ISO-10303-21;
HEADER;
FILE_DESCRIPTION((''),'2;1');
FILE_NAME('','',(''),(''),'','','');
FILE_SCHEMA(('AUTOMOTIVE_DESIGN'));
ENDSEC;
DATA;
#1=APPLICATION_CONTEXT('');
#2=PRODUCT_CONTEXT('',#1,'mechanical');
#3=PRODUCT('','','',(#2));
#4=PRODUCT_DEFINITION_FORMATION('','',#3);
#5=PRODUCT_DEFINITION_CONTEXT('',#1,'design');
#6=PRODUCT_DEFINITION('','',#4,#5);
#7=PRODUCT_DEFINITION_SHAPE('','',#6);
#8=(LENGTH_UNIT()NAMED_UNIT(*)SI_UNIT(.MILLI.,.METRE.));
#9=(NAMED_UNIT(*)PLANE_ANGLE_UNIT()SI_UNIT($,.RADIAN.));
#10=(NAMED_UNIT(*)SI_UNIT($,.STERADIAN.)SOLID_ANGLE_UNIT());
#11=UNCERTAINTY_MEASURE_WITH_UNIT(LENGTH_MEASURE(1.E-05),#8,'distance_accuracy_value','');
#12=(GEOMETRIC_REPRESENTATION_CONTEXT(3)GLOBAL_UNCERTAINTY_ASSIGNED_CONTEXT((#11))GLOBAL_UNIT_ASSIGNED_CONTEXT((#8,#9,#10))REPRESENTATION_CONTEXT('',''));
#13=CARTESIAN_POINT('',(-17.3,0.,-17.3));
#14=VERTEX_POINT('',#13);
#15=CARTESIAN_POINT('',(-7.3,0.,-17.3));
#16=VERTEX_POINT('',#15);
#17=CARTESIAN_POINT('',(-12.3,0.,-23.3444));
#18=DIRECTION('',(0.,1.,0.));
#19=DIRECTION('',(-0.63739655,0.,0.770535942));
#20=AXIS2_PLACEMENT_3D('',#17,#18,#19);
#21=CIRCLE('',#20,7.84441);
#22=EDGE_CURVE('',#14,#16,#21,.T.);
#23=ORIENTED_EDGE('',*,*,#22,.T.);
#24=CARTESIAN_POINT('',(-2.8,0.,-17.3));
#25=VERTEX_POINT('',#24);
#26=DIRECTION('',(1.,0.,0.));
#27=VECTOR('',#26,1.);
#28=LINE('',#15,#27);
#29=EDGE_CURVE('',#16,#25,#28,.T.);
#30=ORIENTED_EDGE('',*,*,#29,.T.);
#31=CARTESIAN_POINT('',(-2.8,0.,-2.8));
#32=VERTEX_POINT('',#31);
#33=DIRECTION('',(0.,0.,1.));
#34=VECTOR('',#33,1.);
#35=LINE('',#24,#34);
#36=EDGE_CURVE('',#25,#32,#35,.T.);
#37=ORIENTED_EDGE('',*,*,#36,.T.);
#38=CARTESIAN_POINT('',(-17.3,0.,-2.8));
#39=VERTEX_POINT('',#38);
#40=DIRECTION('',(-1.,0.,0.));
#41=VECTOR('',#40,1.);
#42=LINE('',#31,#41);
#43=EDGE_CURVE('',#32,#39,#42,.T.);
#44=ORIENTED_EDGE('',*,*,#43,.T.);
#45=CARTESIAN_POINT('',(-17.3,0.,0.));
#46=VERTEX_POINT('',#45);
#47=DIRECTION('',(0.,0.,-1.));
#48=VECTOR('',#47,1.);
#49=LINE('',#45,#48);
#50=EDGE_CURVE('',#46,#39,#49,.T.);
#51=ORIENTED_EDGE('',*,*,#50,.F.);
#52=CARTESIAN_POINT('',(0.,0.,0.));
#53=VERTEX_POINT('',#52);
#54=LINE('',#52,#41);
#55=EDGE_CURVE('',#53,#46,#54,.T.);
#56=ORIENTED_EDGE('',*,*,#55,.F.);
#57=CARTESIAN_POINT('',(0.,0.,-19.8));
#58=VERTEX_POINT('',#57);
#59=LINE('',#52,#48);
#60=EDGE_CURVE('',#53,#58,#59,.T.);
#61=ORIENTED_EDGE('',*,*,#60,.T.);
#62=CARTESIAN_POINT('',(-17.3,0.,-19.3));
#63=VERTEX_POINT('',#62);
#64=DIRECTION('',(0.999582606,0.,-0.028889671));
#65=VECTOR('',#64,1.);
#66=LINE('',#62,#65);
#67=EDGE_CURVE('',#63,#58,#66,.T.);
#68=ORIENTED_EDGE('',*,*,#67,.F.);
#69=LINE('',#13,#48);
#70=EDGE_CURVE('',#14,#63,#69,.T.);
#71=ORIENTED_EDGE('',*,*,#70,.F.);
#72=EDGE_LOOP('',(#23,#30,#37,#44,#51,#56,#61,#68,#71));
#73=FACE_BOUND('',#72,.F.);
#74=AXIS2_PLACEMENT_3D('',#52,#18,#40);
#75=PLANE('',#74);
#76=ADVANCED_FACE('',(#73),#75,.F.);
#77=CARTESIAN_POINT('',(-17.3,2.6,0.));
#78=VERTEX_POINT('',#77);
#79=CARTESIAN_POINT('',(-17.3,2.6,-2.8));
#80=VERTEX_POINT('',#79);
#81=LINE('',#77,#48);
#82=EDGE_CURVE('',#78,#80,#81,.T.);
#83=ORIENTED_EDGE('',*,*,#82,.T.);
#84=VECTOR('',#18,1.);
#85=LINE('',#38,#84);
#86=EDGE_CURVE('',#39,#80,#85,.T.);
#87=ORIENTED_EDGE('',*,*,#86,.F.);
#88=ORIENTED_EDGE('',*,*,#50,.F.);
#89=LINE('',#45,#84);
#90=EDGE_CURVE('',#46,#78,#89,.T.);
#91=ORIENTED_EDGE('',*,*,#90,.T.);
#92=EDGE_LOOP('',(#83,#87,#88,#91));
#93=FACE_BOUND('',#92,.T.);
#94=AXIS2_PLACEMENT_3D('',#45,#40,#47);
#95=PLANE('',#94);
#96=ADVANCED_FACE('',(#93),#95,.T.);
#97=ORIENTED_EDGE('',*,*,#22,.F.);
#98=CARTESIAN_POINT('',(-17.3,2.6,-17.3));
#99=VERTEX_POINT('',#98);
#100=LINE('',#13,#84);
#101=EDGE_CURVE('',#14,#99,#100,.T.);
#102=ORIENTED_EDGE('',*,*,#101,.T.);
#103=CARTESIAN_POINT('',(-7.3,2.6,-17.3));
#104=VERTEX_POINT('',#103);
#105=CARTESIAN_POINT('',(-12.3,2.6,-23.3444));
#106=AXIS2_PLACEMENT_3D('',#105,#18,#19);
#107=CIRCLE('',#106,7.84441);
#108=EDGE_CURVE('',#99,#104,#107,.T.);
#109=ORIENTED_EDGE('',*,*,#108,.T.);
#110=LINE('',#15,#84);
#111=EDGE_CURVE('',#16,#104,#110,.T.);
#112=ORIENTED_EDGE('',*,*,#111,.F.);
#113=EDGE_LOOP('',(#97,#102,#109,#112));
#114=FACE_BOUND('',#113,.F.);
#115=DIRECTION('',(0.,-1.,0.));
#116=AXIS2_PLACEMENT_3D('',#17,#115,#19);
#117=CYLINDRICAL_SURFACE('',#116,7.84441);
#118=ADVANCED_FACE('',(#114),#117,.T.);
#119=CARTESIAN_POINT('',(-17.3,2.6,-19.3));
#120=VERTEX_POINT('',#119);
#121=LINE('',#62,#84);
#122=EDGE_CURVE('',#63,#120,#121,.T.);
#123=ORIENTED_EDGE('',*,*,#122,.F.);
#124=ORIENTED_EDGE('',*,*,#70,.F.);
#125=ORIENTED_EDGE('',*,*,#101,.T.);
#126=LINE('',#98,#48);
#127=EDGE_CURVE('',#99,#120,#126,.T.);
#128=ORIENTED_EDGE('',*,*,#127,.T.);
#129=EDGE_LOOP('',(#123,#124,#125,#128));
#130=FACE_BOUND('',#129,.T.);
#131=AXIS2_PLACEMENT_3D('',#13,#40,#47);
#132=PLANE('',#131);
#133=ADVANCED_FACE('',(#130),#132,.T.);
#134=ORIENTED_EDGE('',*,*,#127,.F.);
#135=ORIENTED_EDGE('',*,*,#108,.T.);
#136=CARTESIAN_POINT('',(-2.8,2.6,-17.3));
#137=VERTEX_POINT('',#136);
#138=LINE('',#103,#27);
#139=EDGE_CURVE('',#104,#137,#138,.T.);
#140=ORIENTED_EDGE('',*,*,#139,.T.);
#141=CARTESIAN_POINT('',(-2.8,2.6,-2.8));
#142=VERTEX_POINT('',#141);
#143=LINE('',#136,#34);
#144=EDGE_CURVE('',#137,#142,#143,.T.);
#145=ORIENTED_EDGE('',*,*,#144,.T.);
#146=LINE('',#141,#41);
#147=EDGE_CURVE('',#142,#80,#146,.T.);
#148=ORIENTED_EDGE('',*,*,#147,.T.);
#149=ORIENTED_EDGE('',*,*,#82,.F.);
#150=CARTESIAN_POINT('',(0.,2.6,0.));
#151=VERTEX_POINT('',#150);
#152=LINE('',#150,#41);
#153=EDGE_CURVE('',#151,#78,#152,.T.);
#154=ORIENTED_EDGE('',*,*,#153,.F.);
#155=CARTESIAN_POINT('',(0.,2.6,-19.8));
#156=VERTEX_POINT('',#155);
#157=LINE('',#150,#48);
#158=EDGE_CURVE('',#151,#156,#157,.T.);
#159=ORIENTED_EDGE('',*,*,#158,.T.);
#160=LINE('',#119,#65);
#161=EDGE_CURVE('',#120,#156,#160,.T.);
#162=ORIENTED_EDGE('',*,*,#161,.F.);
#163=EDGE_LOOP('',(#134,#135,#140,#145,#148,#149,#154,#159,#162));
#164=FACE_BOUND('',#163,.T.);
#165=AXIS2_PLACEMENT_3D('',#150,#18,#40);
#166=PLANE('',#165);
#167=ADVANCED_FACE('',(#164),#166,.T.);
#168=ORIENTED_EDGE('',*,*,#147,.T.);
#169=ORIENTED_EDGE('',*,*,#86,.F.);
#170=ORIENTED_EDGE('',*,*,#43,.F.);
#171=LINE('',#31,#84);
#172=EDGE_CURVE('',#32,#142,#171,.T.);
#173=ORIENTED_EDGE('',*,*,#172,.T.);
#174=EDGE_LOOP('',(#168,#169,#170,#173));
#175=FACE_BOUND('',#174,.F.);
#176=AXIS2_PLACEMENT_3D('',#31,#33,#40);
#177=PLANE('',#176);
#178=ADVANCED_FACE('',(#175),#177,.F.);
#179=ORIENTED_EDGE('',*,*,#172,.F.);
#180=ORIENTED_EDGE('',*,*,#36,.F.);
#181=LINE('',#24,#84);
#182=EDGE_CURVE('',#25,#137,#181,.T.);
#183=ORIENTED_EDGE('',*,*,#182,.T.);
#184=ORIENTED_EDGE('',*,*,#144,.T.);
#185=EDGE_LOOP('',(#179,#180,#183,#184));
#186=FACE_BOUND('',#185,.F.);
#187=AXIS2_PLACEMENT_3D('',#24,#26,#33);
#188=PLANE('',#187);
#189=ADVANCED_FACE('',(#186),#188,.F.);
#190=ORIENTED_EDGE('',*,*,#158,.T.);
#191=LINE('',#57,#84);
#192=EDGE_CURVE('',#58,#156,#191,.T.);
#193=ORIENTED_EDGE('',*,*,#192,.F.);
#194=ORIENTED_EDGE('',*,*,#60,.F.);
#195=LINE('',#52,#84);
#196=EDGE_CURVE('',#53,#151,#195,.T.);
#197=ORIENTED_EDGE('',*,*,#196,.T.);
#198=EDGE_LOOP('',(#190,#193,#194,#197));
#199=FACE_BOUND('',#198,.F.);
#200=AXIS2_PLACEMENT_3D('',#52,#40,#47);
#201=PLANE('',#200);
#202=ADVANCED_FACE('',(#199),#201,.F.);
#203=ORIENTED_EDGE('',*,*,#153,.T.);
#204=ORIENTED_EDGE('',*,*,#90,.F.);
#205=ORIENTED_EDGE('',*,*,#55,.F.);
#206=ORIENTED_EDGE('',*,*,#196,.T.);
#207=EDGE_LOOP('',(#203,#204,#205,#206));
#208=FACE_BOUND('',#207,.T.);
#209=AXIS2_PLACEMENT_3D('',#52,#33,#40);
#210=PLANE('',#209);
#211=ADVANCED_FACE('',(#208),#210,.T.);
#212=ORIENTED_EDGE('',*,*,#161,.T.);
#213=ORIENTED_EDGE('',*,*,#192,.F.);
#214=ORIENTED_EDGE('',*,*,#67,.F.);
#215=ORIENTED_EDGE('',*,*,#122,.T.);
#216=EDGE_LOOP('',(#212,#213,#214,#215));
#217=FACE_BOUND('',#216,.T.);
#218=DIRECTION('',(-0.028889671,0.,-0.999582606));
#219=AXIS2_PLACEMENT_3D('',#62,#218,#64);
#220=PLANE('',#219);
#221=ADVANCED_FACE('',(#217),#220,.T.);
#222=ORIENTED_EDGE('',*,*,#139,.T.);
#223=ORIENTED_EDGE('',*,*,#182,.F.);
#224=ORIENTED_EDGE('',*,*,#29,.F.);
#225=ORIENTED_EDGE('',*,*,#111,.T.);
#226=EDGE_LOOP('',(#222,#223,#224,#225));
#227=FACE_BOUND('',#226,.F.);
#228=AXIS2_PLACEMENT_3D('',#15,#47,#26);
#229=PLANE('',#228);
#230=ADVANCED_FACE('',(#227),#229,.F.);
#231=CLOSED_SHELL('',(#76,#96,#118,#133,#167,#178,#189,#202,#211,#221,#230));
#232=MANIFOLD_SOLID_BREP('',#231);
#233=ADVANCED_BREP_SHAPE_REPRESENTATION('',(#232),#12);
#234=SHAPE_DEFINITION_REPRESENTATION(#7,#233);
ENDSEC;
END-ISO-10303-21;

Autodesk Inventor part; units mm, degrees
ref_plane "YZ Plane" through (0, 0, 0) normal (1, 0, 0) x (0, 1, 0)
ref_plane "XZ Plane" through (0, 0, 0) normal (0, 1, 0) x (-1, 0, 0)
ref_plane "XY Plane" through (0, 0, 0) normal (0, 0, 1) x (1, 0, 0)
sketch "Sketch1" plane through (0, 0, 0) normal (0, 1, 0) x (-1, 0, 0)
  line L0 (0, 0) -> (17.3, 0)
  line L1 (17.3, 0) -> (17.3, -2.8)
  line L2 (0, 0) -> (0, -19.8)
  line L3 (7.3, -17.3) -> (2.8, -17.3)
  line L4 (2.8, -17.3) -> (2.8, -2.8)
  line L5 (2.8, -2.8) -> (17.3, -2.8)
  arc A0 (17.3, -17.3) -> (7.3, -17.3) centre (12.3, -23.3444) ccw
  line L6 (7.3, -17.3) -> (18.5004, -17.3) construction
  line L7 (17.3, -17.3) -> (17.3, -19.3)
  line L8 (17.3, -19.3) -> (0, -19.8)
  point P0 (12.3, -15.5)
  dimension "d1" = 2.8
  dimension "d3" = 2.8
  dimension "d11" = 10
  dimension "d12" = 4.5
  dimension "d13" = 14.5
  dimension "d19" = 2
  dimension "d20" = 19.8
  dimension "d22" = 1.8
extrude "Extrusion1" add sketch "Sketch1" along normal blind 2.6
properties part number "Cuvette_retainer"
